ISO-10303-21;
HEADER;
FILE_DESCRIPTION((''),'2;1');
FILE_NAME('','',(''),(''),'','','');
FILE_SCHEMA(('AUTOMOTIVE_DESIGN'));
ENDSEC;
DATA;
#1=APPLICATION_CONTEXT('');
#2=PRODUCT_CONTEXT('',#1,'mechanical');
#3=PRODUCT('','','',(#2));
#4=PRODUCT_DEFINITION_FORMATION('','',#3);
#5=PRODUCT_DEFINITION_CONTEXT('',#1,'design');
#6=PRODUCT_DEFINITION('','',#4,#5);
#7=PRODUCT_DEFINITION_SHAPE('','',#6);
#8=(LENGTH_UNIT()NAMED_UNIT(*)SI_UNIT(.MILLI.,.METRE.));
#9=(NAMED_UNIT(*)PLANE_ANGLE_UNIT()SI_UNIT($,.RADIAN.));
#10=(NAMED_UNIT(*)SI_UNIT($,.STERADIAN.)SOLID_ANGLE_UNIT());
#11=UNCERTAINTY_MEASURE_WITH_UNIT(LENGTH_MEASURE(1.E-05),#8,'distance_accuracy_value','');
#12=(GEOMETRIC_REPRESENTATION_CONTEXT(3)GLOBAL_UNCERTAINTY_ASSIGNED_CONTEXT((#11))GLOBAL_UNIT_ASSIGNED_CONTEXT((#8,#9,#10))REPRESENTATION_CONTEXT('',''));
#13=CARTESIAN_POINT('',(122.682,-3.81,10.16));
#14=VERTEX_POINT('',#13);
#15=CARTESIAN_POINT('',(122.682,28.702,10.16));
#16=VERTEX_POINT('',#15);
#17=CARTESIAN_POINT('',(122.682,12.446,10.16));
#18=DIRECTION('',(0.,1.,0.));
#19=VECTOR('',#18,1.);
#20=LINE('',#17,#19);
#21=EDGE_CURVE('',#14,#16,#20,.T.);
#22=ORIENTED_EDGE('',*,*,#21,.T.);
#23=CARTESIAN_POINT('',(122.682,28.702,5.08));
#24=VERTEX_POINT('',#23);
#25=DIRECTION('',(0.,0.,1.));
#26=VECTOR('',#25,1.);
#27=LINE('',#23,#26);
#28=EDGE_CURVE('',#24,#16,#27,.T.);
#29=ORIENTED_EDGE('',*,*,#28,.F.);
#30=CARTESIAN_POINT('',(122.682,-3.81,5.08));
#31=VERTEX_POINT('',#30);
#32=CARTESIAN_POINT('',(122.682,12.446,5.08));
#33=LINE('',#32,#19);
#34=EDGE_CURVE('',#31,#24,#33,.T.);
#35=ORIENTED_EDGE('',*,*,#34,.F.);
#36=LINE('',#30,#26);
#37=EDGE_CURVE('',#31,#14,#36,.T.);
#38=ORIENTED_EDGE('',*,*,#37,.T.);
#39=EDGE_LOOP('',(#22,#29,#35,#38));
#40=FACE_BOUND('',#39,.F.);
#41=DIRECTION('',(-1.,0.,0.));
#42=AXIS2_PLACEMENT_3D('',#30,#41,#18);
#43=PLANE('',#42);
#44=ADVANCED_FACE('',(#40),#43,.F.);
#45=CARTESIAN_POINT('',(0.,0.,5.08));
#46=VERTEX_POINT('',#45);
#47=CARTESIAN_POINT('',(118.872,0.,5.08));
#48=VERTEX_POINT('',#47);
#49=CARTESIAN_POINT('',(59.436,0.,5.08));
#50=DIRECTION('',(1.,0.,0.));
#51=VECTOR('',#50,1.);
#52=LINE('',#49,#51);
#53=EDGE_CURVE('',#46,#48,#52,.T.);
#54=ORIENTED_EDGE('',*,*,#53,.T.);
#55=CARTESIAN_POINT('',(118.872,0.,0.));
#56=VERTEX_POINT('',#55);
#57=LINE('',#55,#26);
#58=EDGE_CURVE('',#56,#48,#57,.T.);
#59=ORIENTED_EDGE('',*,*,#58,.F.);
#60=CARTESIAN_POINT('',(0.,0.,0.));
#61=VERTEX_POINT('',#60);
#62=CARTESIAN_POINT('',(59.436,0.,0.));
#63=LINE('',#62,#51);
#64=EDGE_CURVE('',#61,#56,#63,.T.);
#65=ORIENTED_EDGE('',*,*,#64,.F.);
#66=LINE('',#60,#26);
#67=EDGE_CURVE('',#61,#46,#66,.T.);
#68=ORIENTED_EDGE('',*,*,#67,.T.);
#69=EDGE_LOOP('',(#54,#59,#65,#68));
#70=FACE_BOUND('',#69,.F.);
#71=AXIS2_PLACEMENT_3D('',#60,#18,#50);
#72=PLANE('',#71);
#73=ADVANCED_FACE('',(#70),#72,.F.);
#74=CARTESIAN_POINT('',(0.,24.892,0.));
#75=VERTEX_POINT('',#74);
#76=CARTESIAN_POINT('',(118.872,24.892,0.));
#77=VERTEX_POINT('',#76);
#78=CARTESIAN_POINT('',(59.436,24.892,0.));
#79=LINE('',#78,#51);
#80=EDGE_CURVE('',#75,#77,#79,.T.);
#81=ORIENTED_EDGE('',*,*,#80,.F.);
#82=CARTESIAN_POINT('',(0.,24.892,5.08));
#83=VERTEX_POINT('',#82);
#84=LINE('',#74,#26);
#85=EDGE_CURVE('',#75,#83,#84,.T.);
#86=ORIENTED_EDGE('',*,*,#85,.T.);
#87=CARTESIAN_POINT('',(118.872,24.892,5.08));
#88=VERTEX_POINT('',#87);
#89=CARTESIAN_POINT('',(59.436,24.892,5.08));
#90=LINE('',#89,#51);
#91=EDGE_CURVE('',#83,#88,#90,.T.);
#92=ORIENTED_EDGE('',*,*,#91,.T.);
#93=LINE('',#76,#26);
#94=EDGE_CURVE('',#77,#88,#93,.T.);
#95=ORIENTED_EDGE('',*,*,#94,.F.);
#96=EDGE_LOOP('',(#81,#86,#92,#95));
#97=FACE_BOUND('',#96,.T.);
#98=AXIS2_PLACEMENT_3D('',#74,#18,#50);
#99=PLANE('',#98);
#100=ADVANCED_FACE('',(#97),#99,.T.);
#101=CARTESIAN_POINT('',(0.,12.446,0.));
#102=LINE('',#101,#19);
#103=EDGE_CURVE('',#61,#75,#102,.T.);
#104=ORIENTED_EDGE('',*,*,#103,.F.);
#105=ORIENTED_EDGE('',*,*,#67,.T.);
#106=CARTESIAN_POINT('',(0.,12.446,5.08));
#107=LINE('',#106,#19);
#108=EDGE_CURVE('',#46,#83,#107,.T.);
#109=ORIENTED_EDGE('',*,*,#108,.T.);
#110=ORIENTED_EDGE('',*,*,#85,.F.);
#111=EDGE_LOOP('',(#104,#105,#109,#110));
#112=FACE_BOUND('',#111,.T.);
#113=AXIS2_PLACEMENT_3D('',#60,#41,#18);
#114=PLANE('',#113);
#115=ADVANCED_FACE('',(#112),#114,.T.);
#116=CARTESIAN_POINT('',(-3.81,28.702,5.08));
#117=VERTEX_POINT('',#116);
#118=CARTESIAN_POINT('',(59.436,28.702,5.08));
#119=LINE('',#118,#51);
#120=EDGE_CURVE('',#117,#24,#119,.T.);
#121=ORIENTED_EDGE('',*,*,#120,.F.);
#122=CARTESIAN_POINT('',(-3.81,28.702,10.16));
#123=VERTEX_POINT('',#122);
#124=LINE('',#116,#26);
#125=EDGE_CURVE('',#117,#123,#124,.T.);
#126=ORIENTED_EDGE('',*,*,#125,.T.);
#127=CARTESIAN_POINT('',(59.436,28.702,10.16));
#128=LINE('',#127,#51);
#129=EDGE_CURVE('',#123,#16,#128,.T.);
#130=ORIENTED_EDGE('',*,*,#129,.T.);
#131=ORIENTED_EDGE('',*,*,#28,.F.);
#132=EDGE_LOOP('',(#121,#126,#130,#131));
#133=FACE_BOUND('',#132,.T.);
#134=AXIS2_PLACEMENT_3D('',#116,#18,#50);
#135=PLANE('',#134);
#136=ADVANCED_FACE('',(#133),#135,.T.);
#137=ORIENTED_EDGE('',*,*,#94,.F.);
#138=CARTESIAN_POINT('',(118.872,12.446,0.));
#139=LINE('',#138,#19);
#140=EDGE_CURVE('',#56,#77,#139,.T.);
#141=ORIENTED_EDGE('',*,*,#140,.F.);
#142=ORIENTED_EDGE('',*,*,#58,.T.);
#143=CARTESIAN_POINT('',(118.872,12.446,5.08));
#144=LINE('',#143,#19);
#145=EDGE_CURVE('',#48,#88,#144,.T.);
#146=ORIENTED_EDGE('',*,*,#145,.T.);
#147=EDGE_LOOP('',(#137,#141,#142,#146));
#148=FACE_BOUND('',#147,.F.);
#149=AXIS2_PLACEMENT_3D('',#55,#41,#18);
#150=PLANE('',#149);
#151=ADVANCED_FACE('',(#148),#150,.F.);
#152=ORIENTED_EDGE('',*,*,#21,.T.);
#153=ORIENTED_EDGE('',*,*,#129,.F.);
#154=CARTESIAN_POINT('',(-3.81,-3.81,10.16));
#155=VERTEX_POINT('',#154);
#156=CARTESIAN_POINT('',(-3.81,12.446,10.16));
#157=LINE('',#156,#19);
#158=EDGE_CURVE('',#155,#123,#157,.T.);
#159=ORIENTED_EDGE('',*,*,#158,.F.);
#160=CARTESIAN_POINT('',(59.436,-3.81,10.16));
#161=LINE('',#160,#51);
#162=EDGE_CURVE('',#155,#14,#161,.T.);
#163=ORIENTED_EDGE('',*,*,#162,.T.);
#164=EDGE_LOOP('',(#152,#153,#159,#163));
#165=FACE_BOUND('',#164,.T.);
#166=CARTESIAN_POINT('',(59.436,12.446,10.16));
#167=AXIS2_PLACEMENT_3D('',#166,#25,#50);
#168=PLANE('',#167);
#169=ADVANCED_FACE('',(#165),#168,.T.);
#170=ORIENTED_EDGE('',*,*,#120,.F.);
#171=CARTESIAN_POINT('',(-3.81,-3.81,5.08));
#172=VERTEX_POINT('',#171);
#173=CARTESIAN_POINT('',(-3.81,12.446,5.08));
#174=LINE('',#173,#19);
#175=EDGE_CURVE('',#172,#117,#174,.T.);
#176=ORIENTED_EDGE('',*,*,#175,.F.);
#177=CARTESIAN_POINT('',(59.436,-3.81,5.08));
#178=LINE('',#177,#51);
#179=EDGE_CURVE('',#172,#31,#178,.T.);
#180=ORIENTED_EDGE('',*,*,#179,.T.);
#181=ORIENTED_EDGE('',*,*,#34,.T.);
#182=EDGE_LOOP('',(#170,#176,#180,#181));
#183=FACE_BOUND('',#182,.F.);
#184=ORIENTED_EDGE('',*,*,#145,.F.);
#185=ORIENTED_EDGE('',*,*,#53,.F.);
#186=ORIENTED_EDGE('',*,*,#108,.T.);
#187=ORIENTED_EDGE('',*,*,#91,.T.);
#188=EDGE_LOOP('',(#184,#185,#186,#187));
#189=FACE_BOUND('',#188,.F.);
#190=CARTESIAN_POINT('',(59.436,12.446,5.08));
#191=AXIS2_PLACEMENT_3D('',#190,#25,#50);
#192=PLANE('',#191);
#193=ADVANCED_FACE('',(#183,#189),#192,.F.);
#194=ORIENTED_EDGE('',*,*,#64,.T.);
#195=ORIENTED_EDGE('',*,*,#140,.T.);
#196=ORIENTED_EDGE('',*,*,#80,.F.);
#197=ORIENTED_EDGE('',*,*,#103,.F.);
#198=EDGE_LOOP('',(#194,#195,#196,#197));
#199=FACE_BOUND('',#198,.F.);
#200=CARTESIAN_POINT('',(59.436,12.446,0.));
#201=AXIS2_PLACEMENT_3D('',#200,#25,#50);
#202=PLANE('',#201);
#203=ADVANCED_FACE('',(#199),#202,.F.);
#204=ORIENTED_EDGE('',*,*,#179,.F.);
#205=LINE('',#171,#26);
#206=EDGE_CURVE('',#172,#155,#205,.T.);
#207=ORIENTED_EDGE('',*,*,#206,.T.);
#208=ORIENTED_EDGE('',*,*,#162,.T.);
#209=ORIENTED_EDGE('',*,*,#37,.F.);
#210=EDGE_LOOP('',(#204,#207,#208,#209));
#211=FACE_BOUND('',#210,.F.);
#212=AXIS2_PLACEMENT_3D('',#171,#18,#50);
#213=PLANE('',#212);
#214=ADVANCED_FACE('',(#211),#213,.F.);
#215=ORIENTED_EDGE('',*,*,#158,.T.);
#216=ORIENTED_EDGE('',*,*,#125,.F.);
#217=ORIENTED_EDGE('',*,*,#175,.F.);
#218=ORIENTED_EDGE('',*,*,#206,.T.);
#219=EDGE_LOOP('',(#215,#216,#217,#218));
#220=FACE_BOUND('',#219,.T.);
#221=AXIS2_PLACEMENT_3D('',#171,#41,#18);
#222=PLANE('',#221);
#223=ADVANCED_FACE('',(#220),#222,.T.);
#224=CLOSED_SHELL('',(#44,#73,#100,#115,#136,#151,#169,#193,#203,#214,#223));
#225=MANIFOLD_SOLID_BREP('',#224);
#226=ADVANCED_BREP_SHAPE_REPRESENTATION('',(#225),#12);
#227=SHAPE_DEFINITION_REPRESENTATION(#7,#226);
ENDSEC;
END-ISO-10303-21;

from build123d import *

# Parameters (mm, degrees)
F0_W     = 118.872
F0_H     = 24.892
F1_DEPTH = 5.08
F2_W     = 126.492
F2_H     = 32.512
F2_W_2   = 118.872
F2_H_2   = 24.892
F3_DEPTH = 5.08


with BuildPart() as f1:
    # F0 (on Top) → F1 (new body)
    with BuildSketch(Plane.XY):
        with Locations((59.436, 12.446)):
            Rectangle(F0_W, F0_H)
    extrude(amount=F1_DEPTH)

    # F2 (on face) → F3 (join)
    with BuildSketch(Plane.XY.offset(5.08)):
        with Locations((59.436, 12.446)):
            Rectangle(F2_W, F2_H)
        with Locations((59.436, 12.446)):
            Rectangle(F2_W_2, F2_H_2, mode=Mode.SUBTRACT)
        with Locations((59.436, 12.446)):
            Rectangle(F2_W_2, F2_H_2)
    extrude(amount=F3_DEPTH)


solid = f1.part
